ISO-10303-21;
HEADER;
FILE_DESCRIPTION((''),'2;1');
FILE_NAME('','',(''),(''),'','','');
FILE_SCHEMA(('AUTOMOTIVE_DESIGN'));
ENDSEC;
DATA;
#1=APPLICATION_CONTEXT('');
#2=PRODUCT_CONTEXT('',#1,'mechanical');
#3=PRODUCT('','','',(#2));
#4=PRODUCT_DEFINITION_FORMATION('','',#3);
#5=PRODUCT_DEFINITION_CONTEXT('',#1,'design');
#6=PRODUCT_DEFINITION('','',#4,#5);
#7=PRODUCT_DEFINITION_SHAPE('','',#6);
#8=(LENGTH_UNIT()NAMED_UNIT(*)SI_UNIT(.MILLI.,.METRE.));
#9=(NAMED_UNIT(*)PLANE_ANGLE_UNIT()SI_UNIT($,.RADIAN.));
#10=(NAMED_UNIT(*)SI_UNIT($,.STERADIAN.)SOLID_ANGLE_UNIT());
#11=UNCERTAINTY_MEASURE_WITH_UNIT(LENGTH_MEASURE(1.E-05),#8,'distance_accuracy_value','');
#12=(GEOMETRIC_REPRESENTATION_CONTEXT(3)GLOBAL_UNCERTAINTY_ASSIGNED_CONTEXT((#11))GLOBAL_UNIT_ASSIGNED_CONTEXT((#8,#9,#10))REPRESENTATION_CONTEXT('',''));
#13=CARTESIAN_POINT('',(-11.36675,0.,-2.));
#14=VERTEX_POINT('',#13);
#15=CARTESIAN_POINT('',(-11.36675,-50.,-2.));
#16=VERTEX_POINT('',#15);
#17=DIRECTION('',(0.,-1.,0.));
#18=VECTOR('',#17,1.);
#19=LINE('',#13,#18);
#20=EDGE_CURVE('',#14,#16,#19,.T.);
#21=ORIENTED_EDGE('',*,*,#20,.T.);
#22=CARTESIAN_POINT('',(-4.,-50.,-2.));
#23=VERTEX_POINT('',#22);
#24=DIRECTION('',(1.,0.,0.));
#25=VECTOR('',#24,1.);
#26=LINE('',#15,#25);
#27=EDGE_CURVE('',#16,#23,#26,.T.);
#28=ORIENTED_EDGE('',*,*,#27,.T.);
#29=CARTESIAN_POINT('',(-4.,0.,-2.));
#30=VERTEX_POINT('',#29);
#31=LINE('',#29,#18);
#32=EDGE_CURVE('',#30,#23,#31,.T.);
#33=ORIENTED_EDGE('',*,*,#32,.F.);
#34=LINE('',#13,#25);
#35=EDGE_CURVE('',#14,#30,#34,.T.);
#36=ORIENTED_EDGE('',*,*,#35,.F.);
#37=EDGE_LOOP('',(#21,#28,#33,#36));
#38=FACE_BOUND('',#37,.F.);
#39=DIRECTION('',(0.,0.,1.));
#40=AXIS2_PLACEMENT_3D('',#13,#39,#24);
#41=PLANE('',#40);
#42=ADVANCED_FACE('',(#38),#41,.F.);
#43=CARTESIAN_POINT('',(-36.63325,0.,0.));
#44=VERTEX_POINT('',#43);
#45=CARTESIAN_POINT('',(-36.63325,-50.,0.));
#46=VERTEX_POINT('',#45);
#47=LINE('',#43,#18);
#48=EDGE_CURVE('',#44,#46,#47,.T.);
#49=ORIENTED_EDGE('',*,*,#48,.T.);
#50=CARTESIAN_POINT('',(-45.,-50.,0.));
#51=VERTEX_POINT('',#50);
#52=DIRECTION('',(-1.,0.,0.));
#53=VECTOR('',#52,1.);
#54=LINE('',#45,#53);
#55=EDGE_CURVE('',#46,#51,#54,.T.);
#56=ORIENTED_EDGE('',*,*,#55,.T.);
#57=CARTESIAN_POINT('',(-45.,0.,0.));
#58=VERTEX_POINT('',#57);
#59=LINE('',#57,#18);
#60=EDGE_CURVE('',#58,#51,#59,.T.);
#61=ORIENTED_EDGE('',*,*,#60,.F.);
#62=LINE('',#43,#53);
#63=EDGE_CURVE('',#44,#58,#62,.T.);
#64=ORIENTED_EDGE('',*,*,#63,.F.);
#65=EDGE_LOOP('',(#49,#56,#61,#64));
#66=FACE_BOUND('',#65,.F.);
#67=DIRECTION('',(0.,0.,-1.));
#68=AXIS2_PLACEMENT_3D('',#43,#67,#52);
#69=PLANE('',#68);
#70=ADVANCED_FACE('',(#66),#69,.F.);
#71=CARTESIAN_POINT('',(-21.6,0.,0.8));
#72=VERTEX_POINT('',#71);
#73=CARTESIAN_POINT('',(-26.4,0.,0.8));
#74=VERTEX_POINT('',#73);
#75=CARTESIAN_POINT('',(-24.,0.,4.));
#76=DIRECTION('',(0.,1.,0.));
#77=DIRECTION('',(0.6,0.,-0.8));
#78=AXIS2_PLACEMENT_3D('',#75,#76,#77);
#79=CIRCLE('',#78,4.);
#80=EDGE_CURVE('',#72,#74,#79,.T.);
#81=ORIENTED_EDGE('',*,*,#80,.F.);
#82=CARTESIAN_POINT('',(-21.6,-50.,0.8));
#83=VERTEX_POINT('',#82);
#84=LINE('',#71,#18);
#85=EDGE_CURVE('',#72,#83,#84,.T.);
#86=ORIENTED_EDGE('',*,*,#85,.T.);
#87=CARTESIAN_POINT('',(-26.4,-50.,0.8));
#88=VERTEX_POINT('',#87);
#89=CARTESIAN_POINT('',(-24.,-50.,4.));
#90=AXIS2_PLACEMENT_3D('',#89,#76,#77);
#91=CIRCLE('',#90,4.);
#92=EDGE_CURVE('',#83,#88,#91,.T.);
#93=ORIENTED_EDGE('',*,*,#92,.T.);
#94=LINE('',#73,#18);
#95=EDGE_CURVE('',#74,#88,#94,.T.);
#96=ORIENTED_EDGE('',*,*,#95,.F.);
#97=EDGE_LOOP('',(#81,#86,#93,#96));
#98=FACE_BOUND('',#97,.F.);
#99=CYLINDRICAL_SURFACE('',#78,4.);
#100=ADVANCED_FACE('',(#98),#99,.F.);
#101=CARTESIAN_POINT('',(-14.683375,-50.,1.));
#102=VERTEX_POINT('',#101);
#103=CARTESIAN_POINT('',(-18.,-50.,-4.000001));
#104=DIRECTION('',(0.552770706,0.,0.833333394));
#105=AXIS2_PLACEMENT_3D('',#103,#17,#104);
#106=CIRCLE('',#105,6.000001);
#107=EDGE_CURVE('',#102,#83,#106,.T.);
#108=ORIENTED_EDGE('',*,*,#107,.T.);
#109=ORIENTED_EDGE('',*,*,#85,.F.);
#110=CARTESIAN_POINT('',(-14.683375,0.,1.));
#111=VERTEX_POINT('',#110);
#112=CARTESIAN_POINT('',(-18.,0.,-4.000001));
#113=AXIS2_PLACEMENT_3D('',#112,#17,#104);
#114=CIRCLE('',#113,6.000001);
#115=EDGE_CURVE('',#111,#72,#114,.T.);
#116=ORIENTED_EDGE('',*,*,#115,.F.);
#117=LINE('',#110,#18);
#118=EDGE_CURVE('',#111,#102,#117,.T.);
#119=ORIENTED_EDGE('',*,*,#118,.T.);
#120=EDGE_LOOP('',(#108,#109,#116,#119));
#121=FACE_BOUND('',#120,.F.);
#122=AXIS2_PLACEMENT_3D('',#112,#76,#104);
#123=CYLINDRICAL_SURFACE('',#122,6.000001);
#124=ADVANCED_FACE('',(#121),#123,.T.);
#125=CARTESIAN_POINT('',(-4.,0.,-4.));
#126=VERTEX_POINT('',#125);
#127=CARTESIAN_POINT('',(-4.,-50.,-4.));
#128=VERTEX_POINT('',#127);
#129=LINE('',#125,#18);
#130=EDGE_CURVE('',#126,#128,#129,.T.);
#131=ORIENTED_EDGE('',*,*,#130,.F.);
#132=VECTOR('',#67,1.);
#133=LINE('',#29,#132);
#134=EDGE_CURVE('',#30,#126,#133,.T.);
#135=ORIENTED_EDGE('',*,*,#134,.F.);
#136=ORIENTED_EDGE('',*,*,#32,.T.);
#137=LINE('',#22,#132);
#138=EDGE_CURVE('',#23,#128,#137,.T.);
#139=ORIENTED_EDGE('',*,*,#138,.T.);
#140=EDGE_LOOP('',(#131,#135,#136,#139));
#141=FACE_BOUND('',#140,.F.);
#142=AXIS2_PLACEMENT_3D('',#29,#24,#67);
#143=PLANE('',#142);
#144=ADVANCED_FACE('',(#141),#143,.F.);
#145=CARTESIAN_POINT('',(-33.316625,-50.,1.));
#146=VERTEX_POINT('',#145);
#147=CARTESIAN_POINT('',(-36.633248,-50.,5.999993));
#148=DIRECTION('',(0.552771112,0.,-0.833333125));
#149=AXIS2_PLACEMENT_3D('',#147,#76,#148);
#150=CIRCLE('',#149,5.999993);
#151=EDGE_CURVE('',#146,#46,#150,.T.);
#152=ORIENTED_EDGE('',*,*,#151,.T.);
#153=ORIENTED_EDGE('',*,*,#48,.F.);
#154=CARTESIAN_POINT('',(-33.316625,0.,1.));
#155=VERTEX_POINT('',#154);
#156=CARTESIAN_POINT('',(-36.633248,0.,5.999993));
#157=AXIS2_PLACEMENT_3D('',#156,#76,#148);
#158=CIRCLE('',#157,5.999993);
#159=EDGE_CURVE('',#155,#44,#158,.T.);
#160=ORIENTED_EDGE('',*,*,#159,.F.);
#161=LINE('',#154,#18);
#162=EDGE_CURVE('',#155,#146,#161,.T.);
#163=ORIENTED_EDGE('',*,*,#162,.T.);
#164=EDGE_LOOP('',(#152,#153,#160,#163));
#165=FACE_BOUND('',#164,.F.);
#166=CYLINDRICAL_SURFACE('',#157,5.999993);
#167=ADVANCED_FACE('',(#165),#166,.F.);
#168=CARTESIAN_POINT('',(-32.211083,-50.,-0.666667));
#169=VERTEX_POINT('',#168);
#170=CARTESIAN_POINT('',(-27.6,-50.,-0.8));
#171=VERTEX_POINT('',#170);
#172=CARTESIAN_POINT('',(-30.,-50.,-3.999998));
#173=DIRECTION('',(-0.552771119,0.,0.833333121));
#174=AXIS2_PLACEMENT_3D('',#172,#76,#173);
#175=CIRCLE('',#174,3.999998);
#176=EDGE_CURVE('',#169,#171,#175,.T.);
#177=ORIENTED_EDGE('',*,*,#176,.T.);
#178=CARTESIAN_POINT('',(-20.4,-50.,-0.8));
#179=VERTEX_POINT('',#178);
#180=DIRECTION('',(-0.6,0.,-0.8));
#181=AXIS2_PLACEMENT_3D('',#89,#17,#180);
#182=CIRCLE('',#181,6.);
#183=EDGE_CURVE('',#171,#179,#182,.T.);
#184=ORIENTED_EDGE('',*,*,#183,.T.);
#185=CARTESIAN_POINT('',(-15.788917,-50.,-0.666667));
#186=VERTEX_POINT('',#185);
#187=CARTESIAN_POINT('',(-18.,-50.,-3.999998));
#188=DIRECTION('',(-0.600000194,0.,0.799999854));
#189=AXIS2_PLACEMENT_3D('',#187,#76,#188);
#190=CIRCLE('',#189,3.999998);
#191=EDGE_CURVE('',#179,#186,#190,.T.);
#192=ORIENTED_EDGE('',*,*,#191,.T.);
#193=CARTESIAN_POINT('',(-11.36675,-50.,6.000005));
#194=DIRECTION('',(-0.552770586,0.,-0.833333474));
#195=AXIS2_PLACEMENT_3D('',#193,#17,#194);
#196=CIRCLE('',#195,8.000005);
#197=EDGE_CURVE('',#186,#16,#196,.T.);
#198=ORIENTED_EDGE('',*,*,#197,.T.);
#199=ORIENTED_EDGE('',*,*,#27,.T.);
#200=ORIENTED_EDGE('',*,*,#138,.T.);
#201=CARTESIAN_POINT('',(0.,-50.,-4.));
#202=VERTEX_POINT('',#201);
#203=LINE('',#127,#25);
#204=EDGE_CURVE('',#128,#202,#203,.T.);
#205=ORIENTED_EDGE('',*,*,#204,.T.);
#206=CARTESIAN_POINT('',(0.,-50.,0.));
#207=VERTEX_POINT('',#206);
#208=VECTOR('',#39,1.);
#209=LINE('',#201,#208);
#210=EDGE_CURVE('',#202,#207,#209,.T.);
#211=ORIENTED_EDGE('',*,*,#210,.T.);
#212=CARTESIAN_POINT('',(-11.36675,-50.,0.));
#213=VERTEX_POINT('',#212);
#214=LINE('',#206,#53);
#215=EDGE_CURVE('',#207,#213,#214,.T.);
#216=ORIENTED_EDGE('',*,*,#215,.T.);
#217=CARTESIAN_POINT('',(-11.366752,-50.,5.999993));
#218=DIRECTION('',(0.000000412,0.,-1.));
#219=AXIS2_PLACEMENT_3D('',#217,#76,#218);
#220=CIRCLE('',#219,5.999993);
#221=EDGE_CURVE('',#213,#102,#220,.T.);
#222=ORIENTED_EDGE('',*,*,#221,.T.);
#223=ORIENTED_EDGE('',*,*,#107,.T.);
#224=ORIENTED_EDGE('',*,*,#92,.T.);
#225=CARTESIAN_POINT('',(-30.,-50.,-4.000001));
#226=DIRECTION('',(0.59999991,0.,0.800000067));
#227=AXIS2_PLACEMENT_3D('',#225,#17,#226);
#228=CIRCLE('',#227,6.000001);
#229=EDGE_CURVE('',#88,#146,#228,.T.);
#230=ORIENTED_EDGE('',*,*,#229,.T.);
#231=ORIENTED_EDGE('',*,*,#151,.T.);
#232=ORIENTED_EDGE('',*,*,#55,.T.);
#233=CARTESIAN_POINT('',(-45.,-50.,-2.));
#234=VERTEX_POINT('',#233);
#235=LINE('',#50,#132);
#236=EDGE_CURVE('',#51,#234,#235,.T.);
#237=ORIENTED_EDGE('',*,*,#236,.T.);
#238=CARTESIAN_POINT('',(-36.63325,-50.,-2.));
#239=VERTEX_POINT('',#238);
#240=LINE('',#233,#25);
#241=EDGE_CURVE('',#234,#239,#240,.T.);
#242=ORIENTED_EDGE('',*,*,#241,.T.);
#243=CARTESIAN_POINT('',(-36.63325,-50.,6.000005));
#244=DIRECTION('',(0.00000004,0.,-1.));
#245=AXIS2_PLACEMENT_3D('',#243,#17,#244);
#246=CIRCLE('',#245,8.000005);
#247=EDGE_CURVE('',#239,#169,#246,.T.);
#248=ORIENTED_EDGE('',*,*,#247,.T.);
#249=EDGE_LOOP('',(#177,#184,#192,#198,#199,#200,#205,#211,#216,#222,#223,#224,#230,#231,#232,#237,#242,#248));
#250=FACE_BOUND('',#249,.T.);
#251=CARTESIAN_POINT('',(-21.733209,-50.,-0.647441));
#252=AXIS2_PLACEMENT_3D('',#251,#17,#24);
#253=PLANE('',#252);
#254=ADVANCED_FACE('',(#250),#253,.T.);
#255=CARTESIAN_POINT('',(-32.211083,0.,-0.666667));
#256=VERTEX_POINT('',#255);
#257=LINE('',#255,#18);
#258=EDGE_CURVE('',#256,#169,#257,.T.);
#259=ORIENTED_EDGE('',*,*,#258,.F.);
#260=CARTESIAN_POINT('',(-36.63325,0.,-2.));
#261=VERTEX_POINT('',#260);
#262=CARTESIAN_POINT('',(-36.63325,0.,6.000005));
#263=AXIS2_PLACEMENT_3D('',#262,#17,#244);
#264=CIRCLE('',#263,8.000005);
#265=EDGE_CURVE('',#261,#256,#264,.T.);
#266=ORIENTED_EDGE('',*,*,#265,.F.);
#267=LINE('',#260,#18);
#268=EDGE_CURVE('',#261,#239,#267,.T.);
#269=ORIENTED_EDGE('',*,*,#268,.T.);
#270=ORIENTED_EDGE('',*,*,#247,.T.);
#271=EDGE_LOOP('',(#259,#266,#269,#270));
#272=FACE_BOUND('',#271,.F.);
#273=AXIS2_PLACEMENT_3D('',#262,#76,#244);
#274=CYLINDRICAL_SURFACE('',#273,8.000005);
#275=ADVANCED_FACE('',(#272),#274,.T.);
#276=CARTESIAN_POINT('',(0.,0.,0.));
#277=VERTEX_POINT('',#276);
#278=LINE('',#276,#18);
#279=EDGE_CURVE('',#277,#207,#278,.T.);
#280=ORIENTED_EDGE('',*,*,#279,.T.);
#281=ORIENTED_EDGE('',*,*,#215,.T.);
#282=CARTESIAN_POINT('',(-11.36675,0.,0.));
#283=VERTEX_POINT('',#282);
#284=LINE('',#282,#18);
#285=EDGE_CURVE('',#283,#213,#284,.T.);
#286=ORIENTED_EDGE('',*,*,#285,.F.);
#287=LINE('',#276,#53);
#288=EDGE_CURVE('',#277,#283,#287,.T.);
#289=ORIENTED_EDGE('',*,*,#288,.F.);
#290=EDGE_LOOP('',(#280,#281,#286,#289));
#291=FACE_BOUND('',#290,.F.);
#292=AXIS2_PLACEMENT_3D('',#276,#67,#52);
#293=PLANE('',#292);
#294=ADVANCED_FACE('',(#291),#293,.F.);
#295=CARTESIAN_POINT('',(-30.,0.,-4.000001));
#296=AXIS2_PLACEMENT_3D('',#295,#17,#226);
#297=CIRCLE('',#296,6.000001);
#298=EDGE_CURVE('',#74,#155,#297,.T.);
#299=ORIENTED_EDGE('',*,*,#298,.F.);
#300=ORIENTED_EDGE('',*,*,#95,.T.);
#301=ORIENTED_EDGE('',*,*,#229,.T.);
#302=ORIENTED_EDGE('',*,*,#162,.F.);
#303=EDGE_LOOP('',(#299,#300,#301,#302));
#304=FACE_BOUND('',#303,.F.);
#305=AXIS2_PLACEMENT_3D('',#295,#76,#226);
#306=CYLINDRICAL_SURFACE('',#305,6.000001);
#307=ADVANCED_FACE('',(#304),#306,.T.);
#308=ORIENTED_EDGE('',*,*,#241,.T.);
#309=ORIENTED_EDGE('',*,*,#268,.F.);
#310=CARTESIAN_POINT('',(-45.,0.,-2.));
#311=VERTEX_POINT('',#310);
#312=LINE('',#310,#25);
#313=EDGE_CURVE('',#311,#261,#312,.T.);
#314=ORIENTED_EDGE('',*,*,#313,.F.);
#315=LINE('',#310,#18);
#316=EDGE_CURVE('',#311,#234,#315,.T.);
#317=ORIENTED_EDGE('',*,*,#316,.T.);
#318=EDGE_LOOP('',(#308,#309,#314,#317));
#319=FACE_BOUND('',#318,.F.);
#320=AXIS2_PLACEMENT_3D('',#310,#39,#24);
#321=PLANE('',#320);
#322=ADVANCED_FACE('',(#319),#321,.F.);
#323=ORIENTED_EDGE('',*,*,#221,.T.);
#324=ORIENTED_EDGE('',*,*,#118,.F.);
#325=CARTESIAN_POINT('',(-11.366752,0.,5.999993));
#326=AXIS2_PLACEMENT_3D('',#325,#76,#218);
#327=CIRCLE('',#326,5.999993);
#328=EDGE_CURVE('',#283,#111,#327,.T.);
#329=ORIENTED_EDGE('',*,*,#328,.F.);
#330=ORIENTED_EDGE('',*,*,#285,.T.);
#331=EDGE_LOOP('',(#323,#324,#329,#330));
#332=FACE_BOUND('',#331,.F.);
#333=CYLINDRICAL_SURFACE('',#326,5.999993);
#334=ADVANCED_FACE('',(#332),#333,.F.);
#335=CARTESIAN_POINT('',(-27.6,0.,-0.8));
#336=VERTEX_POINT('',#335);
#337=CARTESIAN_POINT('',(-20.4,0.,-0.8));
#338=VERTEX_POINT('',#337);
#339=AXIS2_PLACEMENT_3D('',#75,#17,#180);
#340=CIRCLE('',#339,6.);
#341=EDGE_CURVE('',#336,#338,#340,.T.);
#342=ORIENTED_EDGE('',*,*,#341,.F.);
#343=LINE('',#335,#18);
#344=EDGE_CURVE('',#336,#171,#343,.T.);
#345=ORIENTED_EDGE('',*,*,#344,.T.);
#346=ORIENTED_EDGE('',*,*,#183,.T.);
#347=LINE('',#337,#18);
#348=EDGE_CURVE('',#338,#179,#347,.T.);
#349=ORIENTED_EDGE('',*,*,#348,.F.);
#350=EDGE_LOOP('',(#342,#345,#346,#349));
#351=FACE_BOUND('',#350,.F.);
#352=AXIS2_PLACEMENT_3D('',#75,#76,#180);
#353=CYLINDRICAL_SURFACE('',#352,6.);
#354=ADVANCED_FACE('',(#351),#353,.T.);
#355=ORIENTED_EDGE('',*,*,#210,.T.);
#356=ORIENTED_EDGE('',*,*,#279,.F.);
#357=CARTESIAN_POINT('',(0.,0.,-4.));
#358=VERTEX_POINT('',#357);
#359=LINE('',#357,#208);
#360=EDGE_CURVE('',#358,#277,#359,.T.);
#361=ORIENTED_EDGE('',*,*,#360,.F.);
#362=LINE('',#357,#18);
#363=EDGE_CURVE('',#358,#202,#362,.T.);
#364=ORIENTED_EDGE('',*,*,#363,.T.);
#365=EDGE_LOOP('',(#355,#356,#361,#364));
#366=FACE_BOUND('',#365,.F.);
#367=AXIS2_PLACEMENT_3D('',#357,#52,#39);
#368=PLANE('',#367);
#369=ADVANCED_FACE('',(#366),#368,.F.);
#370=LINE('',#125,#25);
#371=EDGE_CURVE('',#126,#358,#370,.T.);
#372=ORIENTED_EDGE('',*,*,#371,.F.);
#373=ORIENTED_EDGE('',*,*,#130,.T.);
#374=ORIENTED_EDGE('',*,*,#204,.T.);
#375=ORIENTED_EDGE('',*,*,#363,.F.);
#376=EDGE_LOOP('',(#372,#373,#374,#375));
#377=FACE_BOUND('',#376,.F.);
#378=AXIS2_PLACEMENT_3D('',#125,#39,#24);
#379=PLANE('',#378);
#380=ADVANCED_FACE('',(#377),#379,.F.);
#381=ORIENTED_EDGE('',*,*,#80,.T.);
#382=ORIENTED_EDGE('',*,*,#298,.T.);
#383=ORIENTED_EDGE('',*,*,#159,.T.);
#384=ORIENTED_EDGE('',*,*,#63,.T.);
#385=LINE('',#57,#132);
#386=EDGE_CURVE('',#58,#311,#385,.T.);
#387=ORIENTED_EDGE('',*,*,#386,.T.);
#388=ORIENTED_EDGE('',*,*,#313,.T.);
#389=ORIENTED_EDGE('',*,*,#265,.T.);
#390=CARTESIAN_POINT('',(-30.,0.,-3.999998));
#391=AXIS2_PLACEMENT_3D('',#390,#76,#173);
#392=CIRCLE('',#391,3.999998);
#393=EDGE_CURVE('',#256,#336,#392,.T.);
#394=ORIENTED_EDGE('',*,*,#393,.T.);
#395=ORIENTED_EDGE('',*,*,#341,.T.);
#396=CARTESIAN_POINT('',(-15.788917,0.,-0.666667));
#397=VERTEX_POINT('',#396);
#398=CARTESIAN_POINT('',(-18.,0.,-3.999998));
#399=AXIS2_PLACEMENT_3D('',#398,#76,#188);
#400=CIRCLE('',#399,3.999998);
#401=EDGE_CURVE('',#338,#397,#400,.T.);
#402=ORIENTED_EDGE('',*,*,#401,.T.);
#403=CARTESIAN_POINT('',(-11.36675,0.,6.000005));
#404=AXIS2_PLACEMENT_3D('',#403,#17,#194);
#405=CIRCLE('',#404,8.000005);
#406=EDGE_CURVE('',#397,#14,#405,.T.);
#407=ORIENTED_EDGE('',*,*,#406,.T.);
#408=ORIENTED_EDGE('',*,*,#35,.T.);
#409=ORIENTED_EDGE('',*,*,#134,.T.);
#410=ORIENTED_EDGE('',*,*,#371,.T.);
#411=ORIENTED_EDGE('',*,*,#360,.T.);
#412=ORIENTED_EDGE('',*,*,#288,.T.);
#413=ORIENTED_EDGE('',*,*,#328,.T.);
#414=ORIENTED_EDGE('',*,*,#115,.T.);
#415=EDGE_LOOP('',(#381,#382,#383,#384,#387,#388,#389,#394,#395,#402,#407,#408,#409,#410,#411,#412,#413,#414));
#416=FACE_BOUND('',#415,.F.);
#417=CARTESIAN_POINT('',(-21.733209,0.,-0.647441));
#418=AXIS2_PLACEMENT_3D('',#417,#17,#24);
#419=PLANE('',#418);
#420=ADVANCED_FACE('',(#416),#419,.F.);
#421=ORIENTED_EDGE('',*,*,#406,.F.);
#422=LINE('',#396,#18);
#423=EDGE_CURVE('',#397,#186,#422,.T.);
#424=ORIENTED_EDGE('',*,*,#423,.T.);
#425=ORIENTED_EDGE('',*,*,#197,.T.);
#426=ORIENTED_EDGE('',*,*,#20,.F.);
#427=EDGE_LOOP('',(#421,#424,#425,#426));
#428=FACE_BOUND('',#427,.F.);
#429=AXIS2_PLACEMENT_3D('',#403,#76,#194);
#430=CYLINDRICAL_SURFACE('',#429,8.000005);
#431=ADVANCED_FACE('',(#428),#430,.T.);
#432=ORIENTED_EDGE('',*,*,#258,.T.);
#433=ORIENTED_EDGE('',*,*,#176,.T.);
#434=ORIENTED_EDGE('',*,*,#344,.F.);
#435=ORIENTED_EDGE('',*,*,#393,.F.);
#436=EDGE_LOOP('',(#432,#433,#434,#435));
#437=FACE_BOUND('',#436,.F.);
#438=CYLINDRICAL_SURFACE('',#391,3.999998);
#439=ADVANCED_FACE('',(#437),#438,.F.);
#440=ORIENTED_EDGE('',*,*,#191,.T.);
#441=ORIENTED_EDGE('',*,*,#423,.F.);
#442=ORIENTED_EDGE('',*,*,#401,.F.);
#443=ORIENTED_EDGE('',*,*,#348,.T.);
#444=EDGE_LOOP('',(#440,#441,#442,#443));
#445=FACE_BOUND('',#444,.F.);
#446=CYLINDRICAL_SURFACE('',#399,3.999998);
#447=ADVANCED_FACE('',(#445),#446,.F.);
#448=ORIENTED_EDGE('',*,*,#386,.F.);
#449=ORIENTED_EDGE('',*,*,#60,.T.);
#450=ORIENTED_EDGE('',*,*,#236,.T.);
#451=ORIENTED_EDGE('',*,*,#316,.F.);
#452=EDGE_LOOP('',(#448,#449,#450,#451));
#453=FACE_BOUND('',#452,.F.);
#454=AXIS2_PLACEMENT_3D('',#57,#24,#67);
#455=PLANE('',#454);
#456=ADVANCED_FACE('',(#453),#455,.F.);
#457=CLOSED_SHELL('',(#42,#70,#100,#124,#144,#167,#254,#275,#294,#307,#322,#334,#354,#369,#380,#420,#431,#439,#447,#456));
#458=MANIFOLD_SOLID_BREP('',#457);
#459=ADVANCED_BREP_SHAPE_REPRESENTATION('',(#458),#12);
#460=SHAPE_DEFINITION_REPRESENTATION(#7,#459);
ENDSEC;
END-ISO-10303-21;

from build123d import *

# Parameters (mm, degrees)
F1_DEPTH = 50


with BuildPart() as f1:
    # F0 (on Front) → F1 (new body)
    with BuildSketch(Plane.XZ):
        with BuildLine():
            Line((0, -4), (0, 0))
            Line((0, 0), (-11.36675, 0))
            ThreePointArc((-11.36675, 0), (-13.098801, 0.255437), (-14.683375, 1))
            ThreePointArc((-14.683375, 1), (-18.173423, 1.997493), (-21.6, 0.8))
            ThreePointArc((-21.6, 0.8), (-24, 0), (-26.4, 0.8))
            ThreePointArc((-26.4, 0.8), (-29.826577, 1.997493), (-33.316625, 1))
            ThreePointArc((-33.316625, 1), (-34.901199, 0.255437), (-36.63325, 0))
            Line((-36.63325, 0), (-45, 0))
            Line((-45, 0), (-45, -2))
            Line((-45, -2), (-36.63325, -2))
            ThreePointArc((-36.63325, -2), (-34.323849, -1.659417), (-32.211083, -0.666667))
            ThreePointArc((-32.211083, -0.666667), (-29.884385, -0.001671), (-27.6, -0.8))
            ThreePointArc((-27.6, -0.8), (-24, -2), (-20.4, -0.8))
            ThreePointArc((-20.4, -0.8), (-18.115615, -0.001671), (-15.788917, -0.666667))
            ThreePointArc((-15.788917, -0.666667), (-13.676151, -1.659417), (-11.36675, -2))
            Line((-11.36675, -2), (-4, -2))
            Line((-4, -2), (-4, -4))
            Line((-4, -4), (0, -4))
        make_face()
    extrude(amount=F1_DEPTH)


solid = f1.part
